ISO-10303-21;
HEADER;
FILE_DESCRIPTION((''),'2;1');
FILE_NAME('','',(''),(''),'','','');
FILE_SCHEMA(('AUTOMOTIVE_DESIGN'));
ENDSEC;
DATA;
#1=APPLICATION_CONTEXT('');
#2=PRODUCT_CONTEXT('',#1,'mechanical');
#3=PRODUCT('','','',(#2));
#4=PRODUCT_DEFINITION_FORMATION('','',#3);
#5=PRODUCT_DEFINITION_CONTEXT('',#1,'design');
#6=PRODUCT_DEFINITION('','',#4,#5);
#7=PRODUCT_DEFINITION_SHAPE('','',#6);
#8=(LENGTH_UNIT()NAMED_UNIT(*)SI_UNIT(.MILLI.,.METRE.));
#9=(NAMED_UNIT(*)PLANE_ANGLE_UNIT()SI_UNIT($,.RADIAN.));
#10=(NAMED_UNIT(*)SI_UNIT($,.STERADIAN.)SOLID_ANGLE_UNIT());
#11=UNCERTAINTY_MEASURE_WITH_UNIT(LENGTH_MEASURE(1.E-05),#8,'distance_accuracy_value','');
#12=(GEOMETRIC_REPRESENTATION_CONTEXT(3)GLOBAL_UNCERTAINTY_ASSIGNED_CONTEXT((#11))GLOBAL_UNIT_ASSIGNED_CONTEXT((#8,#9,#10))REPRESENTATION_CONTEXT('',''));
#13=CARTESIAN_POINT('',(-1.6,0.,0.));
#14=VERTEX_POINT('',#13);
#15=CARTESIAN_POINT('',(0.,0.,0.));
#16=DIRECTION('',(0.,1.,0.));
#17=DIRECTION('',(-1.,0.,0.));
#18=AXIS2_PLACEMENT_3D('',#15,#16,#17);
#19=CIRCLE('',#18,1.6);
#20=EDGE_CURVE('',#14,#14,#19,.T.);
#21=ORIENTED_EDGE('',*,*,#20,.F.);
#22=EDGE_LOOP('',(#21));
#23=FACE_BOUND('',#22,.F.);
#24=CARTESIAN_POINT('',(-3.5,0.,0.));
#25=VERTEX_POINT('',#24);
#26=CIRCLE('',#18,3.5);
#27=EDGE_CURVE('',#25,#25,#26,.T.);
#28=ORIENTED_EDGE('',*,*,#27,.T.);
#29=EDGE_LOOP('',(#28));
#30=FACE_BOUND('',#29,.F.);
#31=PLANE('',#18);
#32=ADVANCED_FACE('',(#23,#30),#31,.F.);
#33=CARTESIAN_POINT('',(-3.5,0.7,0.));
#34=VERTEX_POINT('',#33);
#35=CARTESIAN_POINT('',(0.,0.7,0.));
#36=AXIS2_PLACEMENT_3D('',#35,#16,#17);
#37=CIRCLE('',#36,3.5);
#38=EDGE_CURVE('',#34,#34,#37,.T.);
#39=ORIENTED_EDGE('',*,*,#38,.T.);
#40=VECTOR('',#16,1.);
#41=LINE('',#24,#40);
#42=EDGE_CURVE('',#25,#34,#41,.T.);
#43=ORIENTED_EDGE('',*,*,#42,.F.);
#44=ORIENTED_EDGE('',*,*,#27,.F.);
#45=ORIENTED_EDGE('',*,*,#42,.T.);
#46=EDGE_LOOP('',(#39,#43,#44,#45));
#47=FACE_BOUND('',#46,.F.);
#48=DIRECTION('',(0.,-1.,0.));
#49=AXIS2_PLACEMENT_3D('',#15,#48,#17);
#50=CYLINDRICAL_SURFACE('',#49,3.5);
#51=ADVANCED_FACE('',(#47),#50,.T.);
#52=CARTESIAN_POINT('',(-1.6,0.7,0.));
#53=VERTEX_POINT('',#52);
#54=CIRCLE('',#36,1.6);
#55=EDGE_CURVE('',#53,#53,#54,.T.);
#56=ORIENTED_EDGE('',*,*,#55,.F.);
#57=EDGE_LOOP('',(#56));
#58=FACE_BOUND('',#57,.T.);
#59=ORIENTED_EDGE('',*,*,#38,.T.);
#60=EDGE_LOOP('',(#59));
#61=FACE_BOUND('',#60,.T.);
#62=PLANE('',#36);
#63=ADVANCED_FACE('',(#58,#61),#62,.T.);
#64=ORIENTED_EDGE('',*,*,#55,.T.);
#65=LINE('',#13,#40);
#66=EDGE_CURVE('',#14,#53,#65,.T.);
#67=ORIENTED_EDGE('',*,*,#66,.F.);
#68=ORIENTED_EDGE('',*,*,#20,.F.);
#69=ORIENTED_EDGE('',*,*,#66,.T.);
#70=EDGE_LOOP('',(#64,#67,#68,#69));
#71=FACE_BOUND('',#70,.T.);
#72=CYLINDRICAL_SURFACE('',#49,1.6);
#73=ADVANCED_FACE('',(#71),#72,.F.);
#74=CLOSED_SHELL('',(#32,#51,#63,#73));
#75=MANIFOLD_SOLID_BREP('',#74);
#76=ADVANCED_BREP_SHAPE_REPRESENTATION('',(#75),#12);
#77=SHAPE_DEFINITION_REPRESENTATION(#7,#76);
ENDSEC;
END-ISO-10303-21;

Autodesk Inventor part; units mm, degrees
ref_plane "YZ Plane" through (0, 0, 0) normal (1, 0, 0) x (0, 1, 0)
ref_plane "XZ Plane" through (0, 0, 0) normal (0, 1, 0) x (-1, 0, 0)
ref_plane "XY Plane" through (0, 0, 0) normal (0, 0, 1) x (1, 0, 0)
sketch "Boceto1" plane through (0, 0, 0) normal (0, 1, 0) x (-1, 0, 0)
  circle A0 centre (0, 0) radius 1.6
  circle A1 centre (0, 0) radius 3.5
  dimension "d0" = 3.2
  dimension "d1" = 7
extrude "Extrusión1" add sketch "Boceto1" along normal blind 0.7
properties part number "Arandela plana tipo A DIN 125 M3"
